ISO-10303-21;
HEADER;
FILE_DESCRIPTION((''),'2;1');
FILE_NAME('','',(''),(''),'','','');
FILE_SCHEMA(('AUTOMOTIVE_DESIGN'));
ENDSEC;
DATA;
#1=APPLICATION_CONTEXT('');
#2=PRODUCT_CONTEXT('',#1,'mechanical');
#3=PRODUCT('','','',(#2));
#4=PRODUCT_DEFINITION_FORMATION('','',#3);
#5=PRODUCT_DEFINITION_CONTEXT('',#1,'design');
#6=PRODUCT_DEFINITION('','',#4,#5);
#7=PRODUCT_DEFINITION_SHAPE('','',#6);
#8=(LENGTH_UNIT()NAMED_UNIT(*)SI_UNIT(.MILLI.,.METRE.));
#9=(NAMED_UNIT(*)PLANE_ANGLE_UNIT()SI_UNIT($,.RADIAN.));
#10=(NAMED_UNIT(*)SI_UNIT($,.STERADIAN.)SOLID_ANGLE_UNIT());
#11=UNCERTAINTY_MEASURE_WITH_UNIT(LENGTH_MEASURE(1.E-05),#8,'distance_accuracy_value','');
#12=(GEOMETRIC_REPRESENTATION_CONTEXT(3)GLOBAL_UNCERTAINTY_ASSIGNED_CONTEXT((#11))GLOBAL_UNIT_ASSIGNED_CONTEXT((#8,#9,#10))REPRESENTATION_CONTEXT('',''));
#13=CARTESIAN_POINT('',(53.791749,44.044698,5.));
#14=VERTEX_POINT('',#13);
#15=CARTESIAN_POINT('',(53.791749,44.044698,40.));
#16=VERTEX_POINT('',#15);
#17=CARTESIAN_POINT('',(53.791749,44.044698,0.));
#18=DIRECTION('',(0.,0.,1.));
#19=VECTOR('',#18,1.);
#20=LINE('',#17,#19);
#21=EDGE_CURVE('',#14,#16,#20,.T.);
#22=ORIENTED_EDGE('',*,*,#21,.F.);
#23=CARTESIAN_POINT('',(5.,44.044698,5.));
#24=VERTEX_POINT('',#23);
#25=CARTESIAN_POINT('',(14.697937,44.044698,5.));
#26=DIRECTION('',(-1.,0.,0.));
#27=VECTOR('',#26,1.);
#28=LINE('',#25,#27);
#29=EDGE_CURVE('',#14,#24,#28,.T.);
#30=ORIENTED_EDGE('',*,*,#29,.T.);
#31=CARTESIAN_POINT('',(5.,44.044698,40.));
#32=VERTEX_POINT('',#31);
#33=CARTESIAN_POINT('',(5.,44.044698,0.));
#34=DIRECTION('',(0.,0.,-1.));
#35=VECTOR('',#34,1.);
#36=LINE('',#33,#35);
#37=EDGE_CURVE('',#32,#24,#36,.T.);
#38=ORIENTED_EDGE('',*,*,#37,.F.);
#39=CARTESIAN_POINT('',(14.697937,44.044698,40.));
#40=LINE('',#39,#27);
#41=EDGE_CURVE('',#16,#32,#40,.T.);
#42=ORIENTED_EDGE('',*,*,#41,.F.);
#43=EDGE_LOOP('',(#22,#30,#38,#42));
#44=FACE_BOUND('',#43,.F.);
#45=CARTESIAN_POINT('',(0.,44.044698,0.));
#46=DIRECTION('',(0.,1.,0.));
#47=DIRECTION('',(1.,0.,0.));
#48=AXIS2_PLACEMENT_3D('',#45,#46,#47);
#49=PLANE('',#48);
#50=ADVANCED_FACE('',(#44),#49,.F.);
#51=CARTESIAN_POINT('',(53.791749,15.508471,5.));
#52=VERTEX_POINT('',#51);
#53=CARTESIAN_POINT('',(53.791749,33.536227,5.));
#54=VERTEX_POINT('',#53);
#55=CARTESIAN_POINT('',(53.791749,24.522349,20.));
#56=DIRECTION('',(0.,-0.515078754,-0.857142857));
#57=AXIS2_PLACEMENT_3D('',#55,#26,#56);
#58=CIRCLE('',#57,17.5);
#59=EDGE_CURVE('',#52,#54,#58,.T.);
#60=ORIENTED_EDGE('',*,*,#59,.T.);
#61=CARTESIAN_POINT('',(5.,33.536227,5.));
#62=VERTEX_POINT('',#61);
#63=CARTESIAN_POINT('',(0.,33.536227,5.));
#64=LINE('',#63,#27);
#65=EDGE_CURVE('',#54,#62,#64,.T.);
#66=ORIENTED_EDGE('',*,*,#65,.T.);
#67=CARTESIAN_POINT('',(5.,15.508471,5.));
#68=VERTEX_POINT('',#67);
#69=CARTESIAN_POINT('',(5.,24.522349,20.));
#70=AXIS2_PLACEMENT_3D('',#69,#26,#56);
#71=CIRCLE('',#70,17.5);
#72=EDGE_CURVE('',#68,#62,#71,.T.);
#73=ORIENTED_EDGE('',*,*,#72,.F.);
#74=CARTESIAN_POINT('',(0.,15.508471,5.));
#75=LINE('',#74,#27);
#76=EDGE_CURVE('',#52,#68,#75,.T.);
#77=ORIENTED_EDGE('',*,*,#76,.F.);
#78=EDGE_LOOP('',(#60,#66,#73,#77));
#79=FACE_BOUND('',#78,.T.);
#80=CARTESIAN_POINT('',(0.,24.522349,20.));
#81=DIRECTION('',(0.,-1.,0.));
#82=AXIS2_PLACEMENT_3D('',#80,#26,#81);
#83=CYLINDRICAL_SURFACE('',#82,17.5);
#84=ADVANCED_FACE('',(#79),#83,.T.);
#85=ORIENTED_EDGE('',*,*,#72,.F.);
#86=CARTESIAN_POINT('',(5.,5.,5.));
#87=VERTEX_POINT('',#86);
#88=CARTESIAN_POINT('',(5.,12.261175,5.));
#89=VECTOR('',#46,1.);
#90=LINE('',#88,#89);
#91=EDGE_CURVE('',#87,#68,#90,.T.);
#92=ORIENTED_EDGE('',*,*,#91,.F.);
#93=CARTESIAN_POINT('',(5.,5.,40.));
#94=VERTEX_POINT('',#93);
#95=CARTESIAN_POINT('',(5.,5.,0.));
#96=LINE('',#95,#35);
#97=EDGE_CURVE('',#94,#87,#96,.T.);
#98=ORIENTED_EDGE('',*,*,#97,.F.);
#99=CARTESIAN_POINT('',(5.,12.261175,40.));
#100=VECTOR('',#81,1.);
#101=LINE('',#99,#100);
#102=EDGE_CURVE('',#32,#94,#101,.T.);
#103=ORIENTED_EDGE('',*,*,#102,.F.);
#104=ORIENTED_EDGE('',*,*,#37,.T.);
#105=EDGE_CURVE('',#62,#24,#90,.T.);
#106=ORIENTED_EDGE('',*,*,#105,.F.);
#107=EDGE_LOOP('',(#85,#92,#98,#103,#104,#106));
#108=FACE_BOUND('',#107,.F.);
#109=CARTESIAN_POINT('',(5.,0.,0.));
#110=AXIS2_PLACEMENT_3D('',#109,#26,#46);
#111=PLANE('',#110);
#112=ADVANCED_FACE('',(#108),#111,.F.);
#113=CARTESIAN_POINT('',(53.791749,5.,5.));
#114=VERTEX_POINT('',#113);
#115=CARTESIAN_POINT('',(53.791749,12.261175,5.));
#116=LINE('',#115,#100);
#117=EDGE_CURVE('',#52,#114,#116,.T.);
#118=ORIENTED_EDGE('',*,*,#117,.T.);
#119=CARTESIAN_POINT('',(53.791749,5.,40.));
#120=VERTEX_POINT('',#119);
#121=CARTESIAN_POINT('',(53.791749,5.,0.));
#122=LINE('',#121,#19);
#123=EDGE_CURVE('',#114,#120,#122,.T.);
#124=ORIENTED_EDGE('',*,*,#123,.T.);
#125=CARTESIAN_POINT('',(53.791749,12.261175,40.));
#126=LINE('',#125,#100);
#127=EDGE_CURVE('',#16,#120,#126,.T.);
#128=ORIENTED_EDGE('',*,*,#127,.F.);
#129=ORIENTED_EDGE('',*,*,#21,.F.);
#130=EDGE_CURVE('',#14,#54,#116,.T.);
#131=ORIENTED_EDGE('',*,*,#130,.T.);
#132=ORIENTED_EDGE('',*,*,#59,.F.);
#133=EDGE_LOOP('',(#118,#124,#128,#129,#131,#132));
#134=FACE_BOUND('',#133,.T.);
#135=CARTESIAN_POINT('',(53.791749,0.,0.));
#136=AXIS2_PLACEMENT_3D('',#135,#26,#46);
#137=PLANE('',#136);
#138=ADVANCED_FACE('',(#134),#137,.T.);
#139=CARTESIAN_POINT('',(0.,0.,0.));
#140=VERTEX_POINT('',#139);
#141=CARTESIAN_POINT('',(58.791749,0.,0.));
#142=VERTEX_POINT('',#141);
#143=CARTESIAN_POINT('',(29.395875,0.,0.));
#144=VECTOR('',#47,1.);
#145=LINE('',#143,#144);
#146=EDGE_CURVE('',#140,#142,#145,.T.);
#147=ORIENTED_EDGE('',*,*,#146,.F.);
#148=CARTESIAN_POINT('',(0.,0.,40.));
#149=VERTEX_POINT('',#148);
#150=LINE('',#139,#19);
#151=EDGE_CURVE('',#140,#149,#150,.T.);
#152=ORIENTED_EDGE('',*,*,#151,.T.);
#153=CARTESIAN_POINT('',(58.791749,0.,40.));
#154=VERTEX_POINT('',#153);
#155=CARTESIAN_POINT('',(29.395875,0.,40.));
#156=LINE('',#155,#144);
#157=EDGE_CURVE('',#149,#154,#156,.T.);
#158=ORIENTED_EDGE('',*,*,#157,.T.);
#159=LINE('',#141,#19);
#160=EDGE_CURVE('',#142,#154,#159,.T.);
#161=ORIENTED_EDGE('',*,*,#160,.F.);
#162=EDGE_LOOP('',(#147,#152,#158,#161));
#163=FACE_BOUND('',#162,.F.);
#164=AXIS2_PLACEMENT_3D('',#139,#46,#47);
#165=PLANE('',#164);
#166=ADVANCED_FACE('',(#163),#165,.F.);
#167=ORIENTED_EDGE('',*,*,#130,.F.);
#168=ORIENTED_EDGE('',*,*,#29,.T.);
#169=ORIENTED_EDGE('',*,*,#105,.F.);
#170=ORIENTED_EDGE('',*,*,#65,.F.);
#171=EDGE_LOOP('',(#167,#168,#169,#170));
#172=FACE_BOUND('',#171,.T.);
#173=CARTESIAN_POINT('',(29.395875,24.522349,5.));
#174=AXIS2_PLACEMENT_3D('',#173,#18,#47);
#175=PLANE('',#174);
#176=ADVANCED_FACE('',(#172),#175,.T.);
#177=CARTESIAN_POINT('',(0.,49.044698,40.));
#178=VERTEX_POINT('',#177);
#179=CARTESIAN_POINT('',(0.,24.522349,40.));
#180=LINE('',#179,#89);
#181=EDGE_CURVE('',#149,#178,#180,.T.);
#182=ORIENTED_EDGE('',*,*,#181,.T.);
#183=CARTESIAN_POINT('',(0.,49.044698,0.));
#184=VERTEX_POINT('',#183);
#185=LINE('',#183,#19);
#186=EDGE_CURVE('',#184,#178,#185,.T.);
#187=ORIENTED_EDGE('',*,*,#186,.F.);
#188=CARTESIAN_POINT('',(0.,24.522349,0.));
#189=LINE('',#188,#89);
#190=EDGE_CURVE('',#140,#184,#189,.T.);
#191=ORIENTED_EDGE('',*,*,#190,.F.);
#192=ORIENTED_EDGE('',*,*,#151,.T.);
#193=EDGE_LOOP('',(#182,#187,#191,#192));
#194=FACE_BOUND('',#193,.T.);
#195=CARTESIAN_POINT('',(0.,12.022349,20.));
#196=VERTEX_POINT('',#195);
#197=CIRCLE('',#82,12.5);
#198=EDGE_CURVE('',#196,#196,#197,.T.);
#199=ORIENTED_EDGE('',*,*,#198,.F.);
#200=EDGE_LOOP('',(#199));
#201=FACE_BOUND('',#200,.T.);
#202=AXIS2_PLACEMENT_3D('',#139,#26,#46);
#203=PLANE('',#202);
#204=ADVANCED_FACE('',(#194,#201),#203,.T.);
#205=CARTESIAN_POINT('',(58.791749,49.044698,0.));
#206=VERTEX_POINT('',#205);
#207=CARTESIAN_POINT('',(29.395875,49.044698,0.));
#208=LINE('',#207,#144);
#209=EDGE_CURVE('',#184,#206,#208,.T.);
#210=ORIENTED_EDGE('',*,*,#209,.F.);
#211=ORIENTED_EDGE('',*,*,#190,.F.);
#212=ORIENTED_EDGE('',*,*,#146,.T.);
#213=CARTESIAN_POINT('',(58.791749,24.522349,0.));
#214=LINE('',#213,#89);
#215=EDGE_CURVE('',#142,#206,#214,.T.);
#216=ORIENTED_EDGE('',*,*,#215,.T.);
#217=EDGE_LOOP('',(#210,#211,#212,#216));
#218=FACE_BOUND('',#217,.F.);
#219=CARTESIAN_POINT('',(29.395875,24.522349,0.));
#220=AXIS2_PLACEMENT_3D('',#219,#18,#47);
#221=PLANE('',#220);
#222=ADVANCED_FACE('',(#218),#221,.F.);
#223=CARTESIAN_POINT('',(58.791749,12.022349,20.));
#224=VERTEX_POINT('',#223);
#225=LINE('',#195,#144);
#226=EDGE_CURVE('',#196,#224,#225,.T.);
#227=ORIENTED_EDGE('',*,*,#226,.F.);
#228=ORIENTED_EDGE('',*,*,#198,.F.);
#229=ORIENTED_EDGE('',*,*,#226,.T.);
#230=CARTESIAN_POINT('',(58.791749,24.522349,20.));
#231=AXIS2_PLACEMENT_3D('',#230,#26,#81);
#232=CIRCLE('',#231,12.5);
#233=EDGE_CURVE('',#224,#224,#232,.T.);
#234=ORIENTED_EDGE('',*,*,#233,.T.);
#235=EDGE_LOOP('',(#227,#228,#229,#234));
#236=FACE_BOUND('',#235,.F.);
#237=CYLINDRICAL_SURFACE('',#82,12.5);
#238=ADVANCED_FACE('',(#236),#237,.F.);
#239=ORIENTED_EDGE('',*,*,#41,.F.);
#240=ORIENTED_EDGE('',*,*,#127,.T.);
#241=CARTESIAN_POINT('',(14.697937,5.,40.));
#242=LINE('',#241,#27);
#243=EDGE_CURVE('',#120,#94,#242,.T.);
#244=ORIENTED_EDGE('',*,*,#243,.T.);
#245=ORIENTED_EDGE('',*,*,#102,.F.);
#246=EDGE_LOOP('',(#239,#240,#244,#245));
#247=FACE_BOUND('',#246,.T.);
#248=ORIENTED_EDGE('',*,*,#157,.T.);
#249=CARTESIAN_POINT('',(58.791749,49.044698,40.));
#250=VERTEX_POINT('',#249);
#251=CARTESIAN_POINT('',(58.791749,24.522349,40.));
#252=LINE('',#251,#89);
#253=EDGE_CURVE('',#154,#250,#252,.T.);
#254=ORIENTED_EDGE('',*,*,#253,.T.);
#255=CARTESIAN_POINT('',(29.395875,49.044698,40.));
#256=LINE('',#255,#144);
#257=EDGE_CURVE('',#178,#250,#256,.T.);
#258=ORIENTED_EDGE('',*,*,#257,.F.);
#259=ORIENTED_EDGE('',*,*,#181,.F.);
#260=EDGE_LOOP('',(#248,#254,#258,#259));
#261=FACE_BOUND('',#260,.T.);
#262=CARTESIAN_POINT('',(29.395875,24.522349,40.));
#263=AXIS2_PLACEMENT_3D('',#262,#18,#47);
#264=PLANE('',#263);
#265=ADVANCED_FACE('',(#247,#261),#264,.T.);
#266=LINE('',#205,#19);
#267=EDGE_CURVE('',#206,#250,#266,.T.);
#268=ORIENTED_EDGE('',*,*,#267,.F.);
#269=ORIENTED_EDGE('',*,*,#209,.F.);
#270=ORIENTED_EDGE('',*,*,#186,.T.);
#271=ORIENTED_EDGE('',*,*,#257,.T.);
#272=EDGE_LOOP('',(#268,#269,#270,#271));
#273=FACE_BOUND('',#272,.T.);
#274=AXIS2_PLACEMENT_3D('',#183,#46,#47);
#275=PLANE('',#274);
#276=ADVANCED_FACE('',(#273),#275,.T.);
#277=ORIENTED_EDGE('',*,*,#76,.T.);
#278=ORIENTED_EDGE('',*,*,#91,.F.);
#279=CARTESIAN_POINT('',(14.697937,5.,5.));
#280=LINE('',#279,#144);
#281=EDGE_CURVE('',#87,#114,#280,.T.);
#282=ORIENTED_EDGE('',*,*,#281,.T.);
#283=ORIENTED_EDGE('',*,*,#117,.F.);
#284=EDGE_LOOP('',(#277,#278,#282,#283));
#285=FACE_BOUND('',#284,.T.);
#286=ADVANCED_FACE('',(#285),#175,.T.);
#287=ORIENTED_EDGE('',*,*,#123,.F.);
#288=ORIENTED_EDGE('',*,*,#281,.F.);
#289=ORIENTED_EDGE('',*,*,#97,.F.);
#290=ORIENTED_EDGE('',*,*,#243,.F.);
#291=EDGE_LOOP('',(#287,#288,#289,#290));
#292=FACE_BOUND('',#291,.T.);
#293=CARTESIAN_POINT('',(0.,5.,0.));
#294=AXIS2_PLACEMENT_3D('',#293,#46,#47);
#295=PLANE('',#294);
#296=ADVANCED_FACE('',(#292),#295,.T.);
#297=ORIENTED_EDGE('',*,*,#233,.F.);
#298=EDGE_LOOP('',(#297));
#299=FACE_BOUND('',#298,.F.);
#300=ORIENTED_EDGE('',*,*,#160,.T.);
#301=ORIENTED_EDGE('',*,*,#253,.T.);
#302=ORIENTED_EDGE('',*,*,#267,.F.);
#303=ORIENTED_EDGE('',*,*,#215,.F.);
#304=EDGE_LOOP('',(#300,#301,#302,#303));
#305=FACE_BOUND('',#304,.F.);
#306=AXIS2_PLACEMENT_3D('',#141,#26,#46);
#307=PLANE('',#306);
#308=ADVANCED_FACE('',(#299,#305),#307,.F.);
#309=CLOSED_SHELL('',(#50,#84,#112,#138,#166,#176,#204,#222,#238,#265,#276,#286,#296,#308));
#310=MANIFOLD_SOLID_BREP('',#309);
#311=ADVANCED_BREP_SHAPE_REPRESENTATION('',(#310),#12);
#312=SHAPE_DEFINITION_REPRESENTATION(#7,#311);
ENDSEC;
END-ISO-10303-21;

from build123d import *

# Parameters (mm, degrees)
F0_W     = 58.7917491794
F0_H     = 49.0446984768
F1_DEPTH = 40
F2_R     = 12.5
F3_DEPTH = 58.7917491794
F4_T     = -5


with BuildPart() as f1:
    # F0 (on Top) → F1 (new body)
    with BuildSketch(Plane.XY):
        with Locations((29.3958745897, 24.5223492384)):
            Rectangle(F0_W, F0_H)
    extrude(amount=F1_DEPTH)

    # F2 (on face) → F3 (cut, through all)
    with BuildSketch(Plane(origin=(0, 0, 0), x_dir=(0, -1, 0), z_dir=(-1, 0, 0))):
        with Locations((-24.5223492384, 20)):
            Circle(F2_R)
    extrude(amount=-F3_DEPTH, mode=Mode.SUBTRACT)

    # F4
    f4_openings = [f1.faces().sort_by_distance(p)[0] for p in [
        (29.395875, 24.522349, 40),
    ]]
    offset(amount=F4_T, openings=f4_openings, kind=Kind.INTERSECTION)


solid = f1.part
